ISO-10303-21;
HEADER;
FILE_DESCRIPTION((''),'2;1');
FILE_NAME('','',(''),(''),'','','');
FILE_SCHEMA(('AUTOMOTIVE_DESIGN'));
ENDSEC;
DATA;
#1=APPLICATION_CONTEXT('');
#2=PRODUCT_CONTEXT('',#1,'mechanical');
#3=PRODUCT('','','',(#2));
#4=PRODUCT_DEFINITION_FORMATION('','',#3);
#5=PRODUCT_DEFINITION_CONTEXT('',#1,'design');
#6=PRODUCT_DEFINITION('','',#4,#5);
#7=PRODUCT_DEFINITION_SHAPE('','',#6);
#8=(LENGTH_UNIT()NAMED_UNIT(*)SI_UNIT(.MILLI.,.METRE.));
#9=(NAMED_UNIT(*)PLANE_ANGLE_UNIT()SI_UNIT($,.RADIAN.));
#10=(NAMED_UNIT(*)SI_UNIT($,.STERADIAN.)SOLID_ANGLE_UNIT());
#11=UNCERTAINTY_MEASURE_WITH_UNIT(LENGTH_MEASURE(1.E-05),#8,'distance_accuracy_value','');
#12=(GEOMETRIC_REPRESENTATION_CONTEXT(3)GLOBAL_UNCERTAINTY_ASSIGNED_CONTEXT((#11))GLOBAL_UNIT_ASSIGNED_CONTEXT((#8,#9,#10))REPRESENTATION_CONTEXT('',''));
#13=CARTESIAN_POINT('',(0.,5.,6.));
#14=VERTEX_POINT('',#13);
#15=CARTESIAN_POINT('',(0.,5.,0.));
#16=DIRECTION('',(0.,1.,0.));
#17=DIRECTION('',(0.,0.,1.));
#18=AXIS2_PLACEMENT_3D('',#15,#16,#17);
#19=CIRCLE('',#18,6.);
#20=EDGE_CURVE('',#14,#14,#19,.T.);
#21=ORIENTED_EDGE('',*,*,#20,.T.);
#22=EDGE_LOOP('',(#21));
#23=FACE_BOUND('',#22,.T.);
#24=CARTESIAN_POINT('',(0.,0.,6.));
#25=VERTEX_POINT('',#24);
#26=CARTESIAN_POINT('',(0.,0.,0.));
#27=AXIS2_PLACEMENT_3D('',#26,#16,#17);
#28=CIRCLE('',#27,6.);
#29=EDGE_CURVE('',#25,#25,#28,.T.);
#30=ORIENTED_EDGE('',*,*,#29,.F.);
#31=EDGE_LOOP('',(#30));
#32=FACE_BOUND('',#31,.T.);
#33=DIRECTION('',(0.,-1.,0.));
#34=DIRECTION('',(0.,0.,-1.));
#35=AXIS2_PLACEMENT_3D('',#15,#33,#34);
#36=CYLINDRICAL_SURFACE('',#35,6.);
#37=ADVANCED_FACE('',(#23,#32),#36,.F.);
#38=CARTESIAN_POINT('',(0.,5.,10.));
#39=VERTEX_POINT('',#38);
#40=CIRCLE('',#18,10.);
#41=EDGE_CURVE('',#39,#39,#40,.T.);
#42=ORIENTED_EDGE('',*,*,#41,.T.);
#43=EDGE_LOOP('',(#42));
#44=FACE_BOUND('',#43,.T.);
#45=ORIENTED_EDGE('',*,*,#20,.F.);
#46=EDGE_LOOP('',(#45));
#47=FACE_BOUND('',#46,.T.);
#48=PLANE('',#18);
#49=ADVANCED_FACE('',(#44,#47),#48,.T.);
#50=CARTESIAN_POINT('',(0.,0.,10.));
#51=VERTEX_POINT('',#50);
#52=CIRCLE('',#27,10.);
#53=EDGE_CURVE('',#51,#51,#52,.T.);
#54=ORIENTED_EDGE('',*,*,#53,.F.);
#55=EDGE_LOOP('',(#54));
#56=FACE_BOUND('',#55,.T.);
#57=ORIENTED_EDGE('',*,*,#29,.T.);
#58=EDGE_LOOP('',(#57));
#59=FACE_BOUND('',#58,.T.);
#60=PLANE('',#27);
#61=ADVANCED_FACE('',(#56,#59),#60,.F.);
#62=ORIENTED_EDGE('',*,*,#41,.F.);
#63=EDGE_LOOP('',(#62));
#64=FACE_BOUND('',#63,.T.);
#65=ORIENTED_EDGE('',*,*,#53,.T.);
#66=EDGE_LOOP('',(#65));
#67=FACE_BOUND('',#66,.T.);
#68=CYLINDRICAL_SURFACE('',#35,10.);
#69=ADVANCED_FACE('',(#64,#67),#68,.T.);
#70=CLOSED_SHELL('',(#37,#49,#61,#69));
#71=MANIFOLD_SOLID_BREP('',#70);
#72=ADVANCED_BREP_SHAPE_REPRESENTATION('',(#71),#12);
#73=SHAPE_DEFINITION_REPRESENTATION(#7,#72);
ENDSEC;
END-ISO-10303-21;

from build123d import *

# Parameters (mm, degrees)
SKETCH1_R           = 10
SKETCH1_R_2         = 6
BOSS_EXTRUDE1_DEPTH = 5


with BuildPart() as part:
    # Sketch1 → Boss-Extrude1 (new body)
    with BuildSketch(Plane(origin=(0, 0, 0), x_dir=(1, 0, 0), z_dir=(0, 1, 0))):
        Circle(SKETCH1_R)
        Circle(SKETCH1_R_2, mode=Mode.SUBTRACT)
    extrude(amount=BOSS_EXTRUDE1_DEPTH)


solid = part.part
